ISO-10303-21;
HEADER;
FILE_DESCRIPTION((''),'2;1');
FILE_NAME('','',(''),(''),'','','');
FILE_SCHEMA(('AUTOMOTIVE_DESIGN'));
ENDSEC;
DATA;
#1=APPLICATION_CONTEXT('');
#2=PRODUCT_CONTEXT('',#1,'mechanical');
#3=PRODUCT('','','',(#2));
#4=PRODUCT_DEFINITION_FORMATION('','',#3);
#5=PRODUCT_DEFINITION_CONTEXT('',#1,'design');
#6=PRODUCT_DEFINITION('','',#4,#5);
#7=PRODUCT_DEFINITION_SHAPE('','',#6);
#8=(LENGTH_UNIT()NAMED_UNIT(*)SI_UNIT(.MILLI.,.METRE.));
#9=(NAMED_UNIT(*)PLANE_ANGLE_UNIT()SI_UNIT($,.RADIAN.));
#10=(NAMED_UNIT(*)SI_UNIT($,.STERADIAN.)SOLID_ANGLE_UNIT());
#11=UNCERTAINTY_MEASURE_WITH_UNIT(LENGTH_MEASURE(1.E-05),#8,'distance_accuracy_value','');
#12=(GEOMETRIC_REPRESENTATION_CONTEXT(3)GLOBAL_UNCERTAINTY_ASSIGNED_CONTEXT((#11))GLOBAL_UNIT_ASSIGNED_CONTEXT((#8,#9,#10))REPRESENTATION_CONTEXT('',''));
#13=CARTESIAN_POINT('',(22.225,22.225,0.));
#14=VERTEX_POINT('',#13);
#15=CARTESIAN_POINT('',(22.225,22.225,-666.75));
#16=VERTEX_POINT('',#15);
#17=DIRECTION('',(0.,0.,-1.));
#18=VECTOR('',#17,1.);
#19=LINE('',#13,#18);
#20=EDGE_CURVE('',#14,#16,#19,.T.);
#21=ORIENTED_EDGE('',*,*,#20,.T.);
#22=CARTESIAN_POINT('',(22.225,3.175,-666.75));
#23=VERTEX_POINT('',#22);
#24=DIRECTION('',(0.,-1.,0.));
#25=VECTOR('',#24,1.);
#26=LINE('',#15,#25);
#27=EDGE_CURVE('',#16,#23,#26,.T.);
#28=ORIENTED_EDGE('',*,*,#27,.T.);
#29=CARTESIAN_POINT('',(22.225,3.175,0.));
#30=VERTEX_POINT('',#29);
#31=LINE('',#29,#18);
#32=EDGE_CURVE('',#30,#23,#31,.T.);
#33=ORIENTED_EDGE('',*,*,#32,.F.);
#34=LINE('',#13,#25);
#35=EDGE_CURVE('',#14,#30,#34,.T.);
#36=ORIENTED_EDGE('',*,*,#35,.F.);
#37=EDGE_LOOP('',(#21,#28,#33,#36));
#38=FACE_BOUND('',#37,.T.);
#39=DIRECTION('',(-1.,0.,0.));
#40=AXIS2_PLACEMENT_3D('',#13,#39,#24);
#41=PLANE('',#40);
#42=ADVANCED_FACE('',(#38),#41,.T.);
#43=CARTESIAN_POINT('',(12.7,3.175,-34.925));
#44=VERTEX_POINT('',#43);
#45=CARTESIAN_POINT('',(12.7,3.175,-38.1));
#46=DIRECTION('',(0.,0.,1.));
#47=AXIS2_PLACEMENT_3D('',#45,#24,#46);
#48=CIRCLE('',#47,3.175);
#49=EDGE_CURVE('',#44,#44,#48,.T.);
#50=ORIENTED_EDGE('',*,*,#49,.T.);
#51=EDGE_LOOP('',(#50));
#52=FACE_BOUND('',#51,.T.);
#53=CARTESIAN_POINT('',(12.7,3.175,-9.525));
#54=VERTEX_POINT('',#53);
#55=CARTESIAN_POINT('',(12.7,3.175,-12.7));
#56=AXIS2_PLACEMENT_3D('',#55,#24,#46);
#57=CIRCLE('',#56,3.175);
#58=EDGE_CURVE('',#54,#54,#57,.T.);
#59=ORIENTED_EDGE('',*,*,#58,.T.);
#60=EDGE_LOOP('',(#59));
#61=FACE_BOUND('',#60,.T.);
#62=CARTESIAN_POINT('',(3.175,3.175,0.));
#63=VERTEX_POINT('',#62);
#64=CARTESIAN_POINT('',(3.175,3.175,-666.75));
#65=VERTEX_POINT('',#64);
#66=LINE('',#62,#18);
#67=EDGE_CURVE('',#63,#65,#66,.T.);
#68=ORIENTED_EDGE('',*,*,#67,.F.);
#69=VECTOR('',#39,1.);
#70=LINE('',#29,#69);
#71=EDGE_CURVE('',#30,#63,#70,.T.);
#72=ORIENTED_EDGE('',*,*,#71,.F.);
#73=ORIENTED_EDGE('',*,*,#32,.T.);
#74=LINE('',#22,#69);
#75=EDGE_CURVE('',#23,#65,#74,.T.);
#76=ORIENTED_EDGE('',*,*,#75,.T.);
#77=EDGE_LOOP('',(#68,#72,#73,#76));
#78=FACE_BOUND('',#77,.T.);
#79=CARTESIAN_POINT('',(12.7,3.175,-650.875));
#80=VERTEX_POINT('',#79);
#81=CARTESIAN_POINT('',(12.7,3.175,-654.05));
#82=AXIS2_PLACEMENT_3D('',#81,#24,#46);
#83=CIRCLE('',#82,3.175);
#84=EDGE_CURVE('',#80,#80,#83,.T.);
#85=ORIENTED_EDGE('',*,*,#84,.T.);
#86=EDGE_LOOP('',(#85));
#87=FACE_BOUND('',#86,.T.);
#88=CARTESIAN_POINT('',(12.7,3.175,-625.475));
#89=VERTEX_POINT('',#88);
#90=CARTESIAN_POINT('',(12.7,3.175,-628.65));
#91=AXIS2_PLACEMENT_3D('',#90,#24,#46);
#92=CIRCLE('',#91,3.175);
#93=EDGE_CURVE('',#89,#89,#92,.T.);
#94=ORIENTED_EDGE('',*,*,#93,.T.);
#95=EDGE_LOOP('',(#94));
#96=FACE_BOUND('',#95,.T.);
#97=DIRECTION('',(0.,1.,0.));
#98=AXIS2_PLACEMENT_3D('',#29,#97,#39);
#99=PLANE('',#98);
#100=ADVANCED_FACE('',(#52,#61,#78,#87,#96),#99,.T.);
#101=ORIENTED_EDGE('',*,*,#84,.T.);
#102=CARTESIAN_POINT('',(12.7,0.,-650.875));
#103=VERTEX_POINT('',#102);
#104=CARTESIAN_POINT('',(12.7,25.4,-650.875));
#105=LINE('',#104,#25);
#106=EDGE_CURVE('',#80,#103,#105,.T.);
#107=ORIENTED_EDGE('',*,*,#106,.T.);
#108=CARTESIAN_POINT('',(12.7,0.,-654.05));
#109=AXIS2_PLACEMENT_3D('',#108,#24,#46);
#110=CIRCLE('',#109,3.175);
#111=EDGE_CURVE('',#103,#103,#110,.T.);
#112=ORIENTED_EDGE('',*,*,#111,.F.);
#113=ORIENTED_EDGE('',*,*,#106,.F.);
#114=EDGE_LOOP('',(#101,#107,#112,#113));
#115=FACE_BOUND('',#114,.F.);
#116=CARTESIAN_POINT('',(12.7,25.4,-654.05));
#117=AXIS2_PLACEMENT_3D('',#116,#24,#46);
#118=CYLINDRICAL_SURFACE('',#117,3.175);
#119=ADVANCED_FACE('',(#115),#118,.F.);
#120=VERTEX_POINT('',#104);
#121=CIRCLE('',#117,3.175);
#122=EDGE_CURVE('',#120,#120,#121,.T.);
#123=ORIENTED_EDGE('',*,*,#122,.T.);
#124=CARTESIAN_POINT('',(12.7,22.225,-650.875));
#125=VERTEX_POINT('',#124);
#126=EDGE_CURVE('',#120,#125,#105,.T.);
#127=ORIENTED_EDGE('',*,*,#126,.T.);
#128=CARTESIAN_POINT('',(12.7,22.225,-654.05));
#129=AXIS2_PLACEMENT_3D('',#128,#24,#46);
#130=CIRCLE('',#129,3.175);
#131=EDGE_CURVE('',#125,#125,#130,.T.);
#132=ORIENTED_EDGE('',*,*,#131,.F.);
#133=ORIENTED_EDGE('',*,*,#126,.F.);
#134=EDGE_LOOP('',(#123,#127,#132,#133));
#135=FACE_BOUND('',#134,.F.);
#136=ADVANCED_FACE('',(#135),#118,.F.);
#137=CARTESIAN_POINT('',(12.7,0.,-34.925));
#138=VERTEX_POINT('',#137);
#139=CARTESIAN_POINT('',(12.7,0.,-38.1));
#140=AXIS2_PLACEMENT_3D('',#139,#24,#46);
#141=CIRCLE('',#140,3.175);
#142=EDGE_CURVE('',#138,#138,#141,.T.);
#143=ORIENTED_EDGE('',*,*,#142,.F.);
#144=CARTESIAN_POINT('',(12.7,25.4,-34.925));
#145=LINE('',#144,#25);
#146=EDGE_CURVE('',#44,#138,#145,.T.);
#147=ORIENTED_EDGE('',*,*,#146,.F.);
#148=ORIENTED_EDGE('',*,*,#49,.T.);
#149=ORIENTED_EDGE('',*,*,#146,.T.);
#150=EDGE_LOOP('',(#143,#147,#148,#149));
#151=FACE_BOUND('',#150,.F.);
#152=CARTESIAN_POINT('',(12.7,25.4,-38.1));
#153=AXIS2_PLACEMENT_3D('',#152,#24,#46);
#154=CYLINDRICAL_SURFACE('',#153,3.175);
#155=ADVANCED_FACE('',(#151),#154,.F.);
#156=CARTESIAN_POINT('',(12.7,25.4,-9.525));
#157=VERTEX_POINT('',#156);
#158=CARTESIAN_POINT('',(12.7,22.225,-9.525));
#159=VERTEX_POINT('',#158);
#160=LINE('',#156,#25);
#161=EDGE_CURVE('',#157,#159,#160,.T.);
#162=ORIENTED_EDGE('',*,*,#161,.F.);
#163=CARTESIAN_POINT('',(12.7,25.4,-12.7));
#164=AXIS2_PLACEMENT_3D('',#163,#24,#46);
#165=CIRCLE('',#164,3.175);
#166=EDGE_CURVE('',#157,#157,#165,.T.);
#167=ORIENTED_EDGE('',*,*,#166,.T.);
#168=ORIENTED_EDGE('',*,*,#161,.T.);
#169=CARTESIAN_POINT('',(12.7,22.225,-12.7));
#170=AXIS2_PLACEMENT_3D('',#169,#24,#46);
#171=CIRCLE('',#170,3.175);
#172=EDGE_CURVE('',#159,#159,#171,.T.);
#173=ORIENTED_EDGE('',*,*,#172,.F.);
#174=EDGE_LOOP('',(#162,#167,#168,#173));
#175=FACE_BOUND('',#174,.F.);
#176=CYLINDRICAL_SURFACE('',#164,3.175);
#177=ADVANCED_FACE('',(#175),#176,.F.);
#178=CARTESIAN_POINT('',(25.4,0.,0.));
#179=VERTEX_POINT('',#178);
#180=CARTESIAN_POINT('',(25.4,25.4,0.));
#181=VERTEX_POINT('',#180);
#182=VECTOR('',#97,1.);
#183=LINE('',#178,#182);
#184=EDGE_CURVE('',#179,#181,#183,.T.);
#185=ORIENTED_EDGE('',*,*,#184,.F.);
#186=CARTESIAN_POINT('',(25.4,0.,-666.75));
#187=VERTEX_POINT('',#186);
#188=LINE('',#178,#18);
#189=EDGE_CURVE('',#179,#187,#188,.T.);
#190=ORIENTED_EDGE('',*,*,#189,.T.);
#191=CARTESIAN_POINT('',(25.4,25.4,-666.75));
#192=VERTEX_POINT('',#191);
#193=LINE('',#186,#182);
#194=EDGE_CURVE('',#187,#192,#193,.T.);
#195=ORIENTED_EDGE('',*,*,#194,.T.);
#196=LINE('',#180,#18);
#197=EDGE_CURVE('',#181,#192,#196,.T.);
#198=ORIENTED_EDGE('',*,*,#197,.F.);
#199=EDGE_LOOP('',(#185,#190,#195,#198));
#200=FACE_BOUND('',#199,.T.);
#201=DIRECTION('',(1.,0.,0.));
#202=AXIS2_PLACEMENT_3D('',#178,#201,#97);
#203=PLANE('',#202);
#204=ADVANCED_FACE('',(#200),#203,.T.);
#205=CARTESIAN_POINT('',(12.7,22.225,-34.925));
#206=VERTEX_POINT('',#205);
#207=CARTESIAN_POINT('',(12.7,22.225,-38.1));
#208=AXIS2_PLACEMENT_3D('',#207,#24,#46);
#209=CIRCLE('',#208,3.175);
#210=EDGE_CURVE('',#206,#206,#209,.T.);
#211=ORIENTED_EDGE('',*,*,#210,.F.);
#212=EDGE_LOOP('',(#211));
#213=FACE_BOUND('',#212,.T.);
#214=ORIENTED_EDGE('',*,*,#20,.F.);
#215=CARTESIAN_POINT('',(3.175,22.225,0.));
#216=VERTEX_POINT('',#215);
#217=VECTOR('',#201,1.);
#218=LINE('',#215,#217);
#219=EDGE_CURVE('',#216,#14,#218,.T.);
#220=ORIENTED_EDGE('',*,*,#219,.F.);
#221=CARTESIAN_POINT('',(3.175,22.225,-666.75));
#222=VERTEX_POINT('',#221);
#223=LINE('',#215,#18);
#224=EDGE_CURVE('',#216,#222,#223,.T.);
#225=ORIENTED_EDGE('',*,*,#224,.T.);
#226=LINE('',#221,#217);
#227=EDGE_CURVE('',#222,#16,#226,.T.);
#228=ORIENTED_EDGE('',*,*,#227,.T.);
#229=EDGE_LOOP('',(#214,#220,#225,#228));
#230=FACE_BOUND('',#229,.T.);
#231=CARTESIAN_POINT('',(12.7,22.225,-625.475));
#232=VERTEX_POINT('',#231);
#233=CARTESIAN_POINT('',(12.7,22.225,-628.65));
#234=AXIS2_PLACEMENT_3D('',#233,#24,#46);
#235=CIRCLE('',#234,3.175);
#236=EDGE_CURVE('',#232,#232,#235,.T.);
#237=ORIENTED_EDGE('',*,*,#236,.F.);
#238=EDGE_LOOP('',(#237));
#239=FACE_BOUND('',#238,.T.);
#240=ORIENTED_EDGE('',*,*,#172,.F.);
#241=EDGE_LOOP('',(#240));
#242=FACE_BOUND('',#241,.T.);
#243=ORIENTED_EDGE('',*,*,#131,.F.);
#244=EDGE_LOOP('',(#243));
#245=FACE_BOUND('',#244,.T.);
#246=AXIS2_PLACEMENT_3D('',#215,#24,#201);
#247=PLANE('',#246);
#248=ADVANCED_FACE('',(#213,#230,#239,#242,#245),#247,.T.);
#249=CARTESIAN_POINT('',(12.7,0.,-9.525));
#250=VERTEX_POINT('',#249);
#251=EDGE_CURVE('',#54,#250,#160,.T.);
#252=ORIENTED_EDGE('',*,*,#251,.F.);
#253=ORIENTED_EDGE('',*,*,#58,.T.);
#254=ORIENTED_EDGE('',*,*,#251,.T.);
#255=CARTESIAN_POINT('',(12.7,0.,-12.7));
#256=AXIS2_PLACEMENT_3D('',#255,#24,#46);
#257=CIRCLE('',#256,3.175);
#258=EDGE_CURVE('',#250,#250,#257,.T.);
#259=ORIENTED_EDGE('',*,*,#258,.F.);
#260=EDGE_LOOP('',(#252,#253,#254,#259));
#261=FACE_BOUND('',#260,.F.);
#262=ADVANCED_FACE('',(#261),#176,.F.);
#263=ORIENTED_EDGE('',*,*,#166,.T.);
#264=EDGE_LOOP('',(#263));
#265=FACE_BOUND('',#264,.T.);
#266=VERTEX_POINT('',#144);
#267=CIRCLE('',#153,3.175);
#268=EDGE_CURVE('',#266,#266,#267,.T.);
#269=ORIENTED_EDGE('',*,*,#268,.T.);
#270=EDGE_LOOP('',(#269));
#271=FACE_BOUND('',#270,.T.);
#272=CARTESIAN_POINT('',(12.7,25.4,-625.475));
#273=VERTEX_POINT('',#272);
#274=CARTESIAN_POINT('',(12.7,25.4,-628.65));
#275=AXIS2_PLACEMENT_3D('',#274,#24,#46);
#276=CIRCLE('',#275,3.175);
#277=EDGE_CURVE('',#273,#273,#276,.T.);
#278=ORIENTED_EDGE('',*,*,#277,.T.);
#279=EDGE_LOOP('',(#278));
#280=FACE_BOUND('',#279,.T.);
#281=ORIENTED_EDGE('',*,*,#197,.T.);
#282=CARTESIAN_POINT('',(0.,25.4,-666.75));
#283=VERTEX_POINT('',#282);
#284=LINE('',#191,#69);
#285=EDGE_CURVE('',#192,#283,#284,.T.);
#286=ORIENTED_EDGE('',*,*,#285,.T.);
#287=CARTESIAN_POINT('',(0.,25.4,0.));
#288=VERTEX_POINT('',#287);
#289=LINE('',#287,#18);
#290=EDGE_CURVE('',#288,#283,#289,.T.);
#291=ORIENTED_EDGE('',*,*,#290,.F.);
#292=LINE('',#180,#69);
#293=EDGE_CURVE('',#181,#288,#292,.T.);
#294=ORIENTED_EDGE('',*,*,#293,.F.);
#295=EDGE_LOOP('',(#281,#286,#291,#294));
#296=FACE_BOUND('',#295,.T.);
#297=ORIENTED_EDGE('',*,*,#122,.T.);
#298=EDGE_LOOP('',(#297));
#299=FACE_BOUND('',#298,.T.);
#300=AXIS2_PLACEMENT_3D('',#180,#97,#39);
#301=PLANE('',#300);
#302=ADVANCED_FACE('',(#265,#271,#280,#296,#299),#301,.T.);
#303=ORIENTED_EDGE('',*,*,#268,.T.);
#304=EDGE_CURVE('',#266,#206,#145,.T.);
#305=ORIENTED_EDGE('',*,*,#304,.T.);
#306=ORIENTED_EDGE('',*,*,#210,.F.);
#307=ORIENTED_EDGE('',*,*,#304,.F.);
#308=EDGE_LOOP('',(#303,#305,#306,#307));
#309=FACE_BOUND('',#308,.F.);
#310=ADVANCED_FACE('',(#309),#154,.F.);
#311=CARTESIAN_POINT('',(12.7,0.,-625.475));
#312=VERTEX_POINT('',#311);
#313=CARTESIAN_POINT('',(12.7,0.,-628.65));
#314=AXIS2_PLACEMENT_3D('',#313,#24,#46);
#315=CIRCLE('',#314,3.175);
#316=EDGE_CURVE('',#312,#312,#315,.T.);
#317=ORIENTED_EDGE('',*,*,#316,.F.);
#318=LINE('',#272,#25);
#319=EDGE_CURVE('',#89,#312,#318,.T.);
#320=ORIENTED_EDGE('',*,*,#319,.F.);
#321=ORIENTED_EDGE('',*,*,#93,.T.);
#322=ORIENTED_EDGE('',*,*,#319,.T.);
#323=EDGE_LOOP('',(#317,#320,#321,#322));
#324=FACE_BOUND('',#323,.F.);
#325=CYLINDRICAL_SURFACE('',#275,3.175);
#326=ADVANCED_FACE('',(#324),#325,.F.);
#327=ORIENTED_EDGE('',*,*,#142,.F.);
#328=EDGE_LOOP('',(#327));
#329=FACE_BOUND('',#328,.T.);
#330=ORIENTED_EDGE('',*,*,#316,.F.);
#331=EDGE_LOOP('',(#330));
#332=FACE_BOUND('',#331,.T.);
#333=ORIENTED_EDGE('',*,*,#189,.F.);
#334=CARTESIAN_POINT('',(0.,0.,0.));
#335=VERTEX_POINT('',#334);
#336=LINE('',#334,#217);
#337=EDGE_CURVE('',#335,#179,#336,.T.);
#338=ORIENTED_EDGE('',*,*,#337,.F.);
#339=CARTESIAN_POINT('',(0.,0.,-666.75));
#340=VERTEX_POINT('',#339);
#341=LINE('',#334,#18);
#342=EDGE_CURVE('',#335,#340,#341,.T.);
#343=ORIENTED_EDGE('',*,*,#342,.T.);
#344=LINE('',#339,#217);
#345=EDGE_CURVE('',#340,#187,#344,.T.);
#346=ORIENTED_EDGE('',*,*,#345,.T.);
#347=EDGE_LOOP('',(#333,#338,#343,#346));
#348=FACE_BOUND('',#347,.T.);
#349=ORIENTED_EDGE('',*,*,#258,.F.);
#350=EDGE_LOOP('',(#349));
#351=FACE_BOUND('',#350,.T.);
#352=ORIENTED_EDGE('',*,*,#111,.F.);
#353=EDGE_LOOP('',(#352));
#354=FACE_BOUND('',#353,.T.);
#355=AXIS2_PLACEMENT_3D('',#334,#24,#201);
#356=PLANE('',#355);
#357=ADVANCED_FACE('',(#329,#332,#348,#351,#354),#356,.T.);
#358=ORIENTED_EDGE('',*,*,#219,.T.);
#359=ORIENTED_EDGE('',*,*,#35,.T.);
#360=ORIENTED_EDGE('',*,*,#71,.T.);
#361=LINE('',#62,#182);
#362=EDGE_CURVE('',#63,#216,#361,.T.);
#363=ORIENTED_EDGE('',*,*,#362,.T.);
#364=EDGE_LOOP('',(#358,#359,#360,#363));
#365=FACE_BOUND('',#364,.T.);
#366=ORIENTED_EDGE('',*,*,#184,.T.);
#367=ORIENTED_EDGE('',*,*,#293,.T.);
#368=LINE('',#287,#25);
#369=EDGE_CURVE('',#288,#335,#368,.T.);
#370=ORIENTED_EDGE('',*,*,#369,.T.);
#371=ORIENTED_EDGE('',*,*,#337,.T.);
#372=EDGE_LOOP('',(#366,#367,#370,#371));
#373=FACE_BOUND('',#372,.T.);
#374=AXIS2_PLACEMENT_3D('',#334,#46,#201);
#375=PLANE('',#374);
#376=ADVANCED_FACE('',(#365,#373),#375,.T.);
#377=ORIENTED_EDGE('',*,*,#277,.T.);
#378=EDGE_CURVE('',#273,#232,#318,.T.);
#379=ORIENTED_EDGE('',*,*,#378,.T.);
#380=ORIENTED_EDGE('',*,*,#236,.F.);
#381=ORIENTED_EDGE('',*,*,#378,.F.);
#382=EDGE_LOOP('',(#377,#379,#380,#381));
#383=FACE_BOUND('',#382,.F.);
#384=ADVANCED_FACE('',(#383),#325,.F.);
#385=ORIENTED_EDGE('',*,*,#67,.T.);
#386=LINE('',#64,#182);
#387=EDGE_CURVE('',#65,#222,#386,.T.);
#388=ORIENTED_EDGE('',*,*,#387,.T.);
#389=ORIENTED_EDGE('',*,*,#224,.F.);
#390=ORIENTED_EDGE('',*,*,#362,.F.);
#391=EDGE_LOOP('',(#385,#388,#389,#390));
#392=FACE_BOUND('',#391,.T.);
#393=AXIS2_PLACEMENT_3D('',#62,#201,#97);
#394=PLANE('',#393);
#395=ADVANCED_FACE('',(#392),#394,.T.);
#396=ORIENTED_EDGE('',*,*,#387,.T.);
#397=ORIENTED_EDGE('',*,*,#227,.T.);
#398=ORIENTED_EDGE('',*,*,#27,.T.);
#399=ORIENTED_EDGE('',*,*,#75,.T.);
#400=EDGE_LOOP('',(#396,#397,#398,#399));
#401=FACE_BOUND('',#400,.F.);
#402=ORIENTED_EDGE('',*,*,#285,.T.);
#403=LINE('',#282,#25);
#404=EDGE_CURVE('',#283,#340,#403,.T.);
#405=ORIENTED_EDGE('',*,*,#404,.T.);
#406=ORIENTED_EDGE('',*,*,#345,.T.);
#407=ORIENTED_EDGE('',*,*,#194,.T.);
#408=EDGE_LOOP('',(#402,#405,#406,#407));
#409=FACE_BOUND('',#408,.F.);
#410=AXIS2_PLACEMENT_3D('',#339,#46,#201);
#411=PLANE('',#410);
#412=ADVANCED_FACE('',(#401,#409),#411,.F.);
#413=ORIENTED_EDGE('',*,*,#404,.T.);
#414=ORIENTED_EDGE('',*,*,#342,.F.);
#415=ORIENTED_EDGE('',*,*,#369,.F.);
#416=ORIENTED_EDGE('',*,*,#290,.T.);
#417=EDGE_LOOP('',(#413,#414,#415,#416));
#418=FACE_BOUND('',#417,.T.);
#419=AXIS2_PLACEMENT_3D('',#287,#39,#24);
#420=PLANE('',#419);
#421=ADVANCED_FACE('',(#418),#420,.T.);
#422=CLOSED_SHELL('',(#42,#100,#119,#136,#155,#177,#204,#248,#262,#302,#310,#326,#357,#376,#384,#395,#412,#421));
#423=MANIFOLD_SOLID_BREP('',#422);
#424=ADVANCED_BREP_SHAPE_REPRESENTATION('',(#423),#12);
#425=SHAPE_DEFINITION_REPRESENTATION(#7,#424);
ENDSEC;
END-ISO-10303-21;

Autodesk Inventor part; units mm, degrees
ref_plane "YZ Plane" through (0, 0, 0) normal (1, 0, 0) x (0, 1, 0)
ref_plane "XZ Plane" through (0, 0, 0) normal (0, 1, 0) x (-1, 0, 0)
ref_plane "XY Plane" through (0, 0, 0) normal (0, 0, 1) x (1, 0, 0)
sketch "Sketch1" plane through (0, 0, 0) normal (0, 0, 1) x (1, 0, 0)
  line L0 (0, 0) -> (25.4, 0)
  line L1 (25.4, 0) -> (25.4, 25.4)
  line L2 (25.4, 25.4) -> (0, 25.4)
  line L3 (0, 25.4) -> (0, 0)
  line L4 (3.175, 22.225) -> (22.225, 22.225)
  line L5 (22.225, 22.225) -> (22.225, 3.175)
  line L6 (22.225, 3.175) -> (3.175, 3.175)
  line L7 (3.175, 3.175) -> (3.175, 22.225)
  dimension "d0" = 25.4
  dimension "d1" = 25.4
  dimension "d2" = 3.175
extrude "Extrusion1" add sketch "Sketch1" against normal blind 666.75
sketch "Sketch2" plane through (0, 25.4, 0) normal (0, 1, 0) x (1, 0, 0)
  line L0 (25.4, 666.75) -> (0, 666.75) projected
  line L1 (25.4, 0) -> (0, 0) projected
  point P0 (12.7, 12.7)
  point P1 (12.7, 38.1)
  point P2 (12.7, 654.05)
  point P3 (12.7, 628.65)
  dimension "d5" = 12.7
  dimension "d6" = 25.4
  dimension "d7" = 25.4
  dimension "d8" = 12.7
hole "Hole1" at (12.7, 25.4, -12.7) at (12.7, 25.4, -38.1) at (12.7, 25.4, -654.05) at (12.7, 25.4, -628.65) direction (0, -1, 0) diameter 6.35 depth 25.4 tip angle 118
properties part number "12 inch middle piece"
